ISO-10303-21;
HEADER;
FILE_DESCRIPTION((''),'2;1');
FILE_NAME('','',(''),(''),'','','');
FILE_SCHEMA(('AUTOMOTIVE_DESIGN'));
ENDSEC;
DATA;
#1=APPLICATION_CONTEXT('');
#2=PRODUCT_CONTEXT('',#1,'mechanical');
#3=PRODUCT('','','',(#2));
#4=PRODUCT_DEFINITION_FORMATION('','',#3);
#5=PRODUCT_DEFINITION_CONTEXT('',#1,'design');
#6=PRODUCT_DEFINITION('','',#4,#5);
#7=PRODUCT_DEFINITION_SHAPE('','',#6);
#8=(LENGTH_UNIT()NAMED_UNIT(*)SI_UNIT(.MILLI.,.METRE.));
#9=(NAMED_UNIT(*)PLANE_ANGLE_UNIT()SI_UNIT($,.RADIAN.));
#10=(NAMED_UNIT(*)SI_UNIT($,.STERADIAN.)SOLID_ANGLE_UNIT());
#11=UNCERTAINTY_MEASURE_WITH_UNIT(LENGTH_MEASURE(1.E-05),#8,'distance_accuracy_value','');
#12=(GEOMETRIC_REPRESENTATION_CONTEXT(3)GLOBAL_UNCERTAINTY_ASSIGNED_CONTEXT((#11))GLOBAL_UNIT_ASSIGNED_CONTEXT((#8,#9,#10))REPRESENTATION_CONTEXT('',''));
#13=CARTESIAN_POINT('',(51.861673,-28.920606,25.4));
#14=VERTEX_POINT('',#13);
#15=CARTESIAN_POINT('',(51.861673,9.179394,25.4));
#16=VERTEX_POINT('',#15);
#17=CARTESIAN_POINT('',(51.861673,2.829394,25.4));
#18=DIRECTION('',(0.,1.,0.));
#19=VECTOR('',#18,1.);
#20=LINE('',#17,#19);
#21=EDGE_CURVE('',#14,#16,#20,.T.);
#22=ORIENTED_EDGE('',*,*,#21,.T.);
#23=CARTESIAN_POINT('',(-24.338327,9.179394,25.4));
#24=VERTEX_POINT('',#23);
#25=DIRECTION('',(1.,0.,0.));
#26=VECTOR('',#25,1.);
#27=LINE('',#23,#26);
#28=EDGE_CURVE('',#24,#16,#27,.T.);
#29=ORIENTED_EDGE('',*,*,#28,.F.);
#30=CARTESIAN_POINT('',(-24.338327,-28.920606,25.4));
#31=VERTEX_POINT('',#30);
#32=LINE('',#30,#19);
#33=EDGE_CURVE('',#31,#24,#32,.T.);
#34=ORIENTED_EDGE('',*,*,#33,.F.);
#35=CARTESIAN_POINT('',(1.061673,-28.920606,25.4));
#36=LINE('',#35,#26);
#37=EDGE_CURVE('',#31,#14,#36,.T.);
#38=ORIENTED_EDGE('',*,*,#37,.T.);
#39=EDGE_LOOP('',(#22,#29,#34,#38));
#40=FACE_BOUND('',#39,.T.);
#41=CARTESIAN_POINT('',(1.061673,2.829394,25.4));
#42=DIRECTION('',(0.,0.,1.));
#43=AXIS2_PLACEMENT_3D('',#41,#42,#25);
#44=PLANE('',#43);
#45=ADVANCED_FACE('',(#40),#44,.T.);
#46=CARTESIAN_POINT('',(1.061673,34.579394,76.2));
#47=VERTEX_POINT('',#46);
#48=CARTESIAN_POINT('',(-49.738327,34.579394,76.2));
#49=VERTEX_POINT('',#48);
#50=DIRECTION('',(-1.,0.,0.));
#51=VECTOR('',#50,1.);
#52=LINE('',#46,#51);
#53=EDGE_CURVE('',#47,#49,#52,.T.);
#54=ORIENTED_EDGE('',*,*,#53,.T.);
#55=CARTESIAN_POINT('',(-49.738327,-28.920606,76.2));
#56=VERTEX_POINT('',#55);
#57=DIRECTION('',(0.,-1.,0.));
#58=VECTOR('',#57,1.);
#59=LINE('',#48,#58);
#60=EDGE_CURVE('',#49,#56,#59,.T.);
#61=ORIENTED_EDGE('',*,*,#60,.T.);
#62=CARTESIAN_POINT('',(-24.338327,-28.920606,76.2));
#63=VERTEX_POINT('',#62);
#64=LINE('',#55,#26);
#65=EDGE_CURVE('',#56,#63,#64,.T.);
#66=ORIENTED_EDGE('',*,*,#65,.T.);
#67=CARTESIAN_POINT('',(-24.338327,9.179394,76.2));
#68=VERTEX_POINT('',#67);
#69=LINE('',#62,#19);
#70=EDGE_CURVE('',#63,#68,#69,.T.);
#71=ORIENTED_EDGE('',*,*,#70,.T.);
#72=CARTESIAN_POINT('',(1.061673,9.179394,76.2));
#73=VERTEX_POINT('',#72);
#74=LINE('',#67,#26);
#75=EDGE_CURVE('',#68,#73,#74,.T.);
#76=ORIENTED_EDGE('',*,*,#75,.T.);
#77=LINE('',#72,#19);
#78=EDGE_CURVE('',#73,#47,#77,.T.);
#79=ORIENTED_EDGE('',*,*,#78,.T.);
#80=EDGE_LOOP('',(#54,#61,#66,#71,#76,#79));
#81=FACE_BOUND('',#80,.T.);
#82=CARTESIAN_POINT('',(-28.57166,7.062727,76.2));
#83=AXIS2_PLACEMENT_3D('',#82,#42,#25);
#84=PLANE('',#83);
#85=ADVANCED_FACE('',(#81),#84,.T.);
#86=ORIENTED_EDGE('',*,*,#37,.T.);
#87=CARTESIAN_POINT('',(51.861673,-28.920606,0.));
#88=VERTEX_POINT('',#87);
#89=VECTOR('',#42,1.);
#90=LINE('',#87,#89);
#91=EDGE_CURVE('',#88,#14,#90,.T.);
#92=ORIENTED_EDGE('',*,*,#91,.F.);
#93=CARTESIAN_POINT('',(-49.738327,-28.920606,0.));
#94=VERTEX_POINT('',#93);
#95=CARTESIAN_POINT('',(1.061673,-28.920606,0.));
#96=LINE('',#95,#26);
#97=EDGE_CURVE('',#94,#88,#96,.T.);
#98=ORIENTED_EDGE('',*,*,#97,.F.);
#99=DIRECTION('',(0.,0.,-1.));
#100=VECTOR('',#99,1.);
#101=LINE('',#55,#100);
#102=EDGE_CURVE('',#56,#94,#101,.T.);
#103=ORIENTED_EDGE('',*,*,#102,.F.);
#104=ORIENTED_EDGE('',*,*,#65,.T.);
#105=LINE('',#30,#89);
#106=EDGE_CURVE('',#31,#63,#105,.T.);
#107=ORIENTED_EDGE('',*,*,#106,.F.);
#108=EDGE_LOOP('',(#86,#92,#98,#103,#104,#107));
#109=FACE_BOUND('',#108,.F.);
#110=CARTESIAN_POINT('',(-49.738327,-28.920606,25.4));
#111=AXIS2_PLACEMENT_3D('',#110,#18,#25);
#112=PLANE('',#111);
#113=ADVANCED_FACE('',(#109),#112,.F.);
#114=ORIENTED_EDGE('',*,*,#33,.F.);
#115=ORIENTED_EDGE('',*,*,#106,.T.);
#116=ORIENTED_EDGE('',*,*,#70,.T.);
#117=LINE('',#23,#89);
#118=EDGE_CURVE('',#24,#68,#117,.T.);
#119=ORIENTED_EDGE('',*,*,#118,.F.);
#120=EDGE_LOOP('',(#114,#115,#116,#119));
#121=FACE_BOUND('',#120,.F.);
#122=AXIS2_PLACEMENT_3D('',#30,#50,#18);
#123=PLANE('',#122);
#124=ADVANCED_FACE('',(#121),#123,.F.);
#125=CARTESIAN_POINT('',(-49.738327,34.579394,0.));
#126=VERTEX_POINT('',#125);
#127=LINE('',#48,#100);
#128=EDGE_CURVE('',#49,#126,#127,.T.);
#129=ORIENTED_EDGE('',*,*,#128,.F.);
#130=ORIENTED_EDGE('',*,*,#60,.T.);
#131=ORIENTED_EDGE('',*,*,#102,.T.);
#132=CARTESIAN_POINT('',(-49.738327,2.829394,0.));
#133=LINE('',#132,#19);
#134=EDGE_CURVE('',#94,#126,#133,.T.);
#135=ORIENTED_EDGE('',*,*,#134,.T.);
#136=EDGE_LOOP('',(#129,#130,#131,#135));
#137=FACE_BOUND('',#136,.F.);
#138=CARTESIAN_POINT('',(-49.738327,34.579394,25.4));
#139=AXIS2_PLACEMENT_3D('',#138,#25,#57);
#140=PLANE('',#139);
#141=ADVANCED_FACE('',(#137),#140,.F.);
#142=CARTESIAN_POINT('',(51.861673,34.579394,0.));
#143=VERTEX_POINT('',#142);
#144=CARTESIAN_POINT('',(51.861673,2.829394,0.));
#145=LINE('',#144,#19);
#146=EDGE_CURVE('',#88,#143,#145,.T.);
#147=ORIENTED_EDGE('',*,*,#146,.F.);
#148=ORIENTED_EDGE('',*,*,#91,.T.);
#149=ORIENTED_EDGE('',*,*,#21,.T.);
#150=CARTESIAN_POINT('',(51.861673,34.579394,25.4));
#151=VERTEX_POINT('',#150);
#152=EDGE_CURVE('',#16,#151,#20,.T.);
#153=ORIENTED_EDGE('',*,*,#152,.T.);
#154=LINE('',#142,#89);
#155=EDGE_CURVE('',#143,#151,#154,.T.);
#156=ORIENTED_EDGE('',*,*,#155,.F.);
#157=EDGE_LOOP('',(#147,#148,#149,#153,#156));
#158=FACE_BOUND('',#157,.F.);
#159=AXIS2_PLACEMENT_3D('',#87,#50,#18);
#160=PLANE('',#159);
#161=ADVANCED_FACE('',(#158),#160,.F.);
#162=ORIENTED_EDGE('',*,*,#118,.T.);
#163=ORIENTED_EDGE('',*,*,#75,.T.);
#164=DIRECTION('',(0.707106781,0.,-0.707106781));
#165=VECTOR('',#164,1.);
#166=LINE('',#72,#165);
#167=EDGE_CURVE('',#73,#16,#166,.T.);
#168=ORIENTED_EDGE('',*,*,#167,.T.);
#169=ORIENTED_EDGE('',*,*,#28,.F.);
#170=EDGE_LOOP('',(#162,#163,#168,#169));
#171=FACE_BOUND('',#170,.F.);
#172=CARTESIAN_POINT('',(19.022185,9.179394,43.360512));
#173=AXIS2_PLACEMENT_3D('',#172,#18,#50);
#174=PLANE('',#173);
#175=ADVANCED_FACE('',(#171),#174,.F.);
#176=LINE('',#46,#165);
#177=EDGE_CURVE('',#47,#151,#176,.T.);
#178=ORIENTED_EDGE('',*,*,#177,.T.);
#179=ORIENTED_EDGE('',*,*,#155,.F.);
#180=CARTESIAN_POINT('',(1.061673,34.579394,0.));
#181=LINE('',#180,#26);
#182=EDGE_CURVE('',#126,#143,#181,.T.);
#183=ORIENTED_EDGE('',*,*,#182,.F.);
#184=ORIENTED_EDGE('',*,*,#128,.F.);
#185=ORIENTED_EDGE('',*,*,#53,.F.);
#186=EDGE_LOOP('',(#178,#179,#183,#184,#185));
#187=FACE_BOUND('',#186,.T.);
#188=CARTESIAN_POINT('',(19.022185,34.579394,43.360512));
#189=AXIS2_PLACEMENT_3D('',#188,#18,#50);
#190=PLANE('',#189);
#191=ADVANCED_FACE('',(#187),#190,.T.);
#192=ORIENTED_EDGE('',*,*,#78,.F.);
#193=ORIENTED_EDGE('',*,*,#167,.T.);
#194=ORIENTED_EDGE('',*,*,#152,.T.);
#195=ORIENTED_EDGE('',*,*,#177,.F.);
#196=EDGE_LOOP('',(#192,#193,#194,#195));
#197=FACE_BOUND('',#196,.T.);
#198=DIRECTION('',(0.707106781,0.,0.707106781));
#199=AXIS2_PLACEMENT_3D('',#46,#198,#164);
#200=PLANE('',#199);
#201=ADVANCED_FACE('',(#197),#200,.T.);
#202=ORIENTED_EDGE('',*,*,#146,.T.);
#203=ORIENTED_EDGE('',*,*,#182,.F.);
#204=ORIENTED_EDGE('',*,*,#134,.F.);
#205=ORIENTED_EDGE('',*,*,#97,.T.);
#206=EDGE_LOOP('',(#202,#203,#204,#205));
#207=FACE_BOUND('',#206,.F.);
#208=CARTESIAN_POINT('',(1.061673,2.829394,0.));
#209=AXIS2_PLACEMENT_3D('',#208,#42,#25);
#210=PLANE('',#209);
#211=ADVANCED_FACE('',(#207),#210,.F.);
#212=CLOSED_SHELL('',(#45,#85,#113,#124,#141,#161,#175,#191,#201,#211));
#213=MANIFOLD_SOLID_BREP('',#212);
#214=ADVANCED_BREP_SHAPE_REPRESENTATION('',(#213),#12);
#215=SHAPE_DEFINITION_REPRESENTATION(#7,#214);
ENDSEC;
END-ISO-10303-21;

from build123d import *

# Parameters (mm, degrees)
F0_W     = 101.6
F0_H     = 63.5
F1_DEPTH = 25.4
F3_DEPTH = 50.8
F5_DEPTH = 25.4


with BuildPart() as f1:
    # F0 (on Top) → F1 (new body)
    with BuildSketch(Plane.XY):
        with Locations((1.061673, 2.829394)):
            Rectangle(F0_W, F0_H)
    extrude(amount=F1_DEPTH)

    # F2 (on face) → F3 (join)
    with BuildSketch(Plane.XY.offset(25.4)):
        Polygon((-49.738327, 9.179394), (-49.738327, -28.920606), (-24.338327, -28.920606), (-24.338327, 9.179394), (1.061673, 9.179394), (1.061673, 34.579394), (-24.338327, 34.579394), (-49.738327, 34.579394), align=None)
    extrude(amount=F3_DEPTH)

    # F4 (on face) → F5 (join)
    with BuildSketch(Plane(origin=(0, 34.579394, 0), x_dir=(-1, 0, 0), z_dir=(0, 1, 0))):
        Polygon((-1.061673, 25.4), (-1.061673, 76.2), (-51.861673, 25.4), align=None)
    extrude(amount=-F5_DEPTH)


solid = f1.part
